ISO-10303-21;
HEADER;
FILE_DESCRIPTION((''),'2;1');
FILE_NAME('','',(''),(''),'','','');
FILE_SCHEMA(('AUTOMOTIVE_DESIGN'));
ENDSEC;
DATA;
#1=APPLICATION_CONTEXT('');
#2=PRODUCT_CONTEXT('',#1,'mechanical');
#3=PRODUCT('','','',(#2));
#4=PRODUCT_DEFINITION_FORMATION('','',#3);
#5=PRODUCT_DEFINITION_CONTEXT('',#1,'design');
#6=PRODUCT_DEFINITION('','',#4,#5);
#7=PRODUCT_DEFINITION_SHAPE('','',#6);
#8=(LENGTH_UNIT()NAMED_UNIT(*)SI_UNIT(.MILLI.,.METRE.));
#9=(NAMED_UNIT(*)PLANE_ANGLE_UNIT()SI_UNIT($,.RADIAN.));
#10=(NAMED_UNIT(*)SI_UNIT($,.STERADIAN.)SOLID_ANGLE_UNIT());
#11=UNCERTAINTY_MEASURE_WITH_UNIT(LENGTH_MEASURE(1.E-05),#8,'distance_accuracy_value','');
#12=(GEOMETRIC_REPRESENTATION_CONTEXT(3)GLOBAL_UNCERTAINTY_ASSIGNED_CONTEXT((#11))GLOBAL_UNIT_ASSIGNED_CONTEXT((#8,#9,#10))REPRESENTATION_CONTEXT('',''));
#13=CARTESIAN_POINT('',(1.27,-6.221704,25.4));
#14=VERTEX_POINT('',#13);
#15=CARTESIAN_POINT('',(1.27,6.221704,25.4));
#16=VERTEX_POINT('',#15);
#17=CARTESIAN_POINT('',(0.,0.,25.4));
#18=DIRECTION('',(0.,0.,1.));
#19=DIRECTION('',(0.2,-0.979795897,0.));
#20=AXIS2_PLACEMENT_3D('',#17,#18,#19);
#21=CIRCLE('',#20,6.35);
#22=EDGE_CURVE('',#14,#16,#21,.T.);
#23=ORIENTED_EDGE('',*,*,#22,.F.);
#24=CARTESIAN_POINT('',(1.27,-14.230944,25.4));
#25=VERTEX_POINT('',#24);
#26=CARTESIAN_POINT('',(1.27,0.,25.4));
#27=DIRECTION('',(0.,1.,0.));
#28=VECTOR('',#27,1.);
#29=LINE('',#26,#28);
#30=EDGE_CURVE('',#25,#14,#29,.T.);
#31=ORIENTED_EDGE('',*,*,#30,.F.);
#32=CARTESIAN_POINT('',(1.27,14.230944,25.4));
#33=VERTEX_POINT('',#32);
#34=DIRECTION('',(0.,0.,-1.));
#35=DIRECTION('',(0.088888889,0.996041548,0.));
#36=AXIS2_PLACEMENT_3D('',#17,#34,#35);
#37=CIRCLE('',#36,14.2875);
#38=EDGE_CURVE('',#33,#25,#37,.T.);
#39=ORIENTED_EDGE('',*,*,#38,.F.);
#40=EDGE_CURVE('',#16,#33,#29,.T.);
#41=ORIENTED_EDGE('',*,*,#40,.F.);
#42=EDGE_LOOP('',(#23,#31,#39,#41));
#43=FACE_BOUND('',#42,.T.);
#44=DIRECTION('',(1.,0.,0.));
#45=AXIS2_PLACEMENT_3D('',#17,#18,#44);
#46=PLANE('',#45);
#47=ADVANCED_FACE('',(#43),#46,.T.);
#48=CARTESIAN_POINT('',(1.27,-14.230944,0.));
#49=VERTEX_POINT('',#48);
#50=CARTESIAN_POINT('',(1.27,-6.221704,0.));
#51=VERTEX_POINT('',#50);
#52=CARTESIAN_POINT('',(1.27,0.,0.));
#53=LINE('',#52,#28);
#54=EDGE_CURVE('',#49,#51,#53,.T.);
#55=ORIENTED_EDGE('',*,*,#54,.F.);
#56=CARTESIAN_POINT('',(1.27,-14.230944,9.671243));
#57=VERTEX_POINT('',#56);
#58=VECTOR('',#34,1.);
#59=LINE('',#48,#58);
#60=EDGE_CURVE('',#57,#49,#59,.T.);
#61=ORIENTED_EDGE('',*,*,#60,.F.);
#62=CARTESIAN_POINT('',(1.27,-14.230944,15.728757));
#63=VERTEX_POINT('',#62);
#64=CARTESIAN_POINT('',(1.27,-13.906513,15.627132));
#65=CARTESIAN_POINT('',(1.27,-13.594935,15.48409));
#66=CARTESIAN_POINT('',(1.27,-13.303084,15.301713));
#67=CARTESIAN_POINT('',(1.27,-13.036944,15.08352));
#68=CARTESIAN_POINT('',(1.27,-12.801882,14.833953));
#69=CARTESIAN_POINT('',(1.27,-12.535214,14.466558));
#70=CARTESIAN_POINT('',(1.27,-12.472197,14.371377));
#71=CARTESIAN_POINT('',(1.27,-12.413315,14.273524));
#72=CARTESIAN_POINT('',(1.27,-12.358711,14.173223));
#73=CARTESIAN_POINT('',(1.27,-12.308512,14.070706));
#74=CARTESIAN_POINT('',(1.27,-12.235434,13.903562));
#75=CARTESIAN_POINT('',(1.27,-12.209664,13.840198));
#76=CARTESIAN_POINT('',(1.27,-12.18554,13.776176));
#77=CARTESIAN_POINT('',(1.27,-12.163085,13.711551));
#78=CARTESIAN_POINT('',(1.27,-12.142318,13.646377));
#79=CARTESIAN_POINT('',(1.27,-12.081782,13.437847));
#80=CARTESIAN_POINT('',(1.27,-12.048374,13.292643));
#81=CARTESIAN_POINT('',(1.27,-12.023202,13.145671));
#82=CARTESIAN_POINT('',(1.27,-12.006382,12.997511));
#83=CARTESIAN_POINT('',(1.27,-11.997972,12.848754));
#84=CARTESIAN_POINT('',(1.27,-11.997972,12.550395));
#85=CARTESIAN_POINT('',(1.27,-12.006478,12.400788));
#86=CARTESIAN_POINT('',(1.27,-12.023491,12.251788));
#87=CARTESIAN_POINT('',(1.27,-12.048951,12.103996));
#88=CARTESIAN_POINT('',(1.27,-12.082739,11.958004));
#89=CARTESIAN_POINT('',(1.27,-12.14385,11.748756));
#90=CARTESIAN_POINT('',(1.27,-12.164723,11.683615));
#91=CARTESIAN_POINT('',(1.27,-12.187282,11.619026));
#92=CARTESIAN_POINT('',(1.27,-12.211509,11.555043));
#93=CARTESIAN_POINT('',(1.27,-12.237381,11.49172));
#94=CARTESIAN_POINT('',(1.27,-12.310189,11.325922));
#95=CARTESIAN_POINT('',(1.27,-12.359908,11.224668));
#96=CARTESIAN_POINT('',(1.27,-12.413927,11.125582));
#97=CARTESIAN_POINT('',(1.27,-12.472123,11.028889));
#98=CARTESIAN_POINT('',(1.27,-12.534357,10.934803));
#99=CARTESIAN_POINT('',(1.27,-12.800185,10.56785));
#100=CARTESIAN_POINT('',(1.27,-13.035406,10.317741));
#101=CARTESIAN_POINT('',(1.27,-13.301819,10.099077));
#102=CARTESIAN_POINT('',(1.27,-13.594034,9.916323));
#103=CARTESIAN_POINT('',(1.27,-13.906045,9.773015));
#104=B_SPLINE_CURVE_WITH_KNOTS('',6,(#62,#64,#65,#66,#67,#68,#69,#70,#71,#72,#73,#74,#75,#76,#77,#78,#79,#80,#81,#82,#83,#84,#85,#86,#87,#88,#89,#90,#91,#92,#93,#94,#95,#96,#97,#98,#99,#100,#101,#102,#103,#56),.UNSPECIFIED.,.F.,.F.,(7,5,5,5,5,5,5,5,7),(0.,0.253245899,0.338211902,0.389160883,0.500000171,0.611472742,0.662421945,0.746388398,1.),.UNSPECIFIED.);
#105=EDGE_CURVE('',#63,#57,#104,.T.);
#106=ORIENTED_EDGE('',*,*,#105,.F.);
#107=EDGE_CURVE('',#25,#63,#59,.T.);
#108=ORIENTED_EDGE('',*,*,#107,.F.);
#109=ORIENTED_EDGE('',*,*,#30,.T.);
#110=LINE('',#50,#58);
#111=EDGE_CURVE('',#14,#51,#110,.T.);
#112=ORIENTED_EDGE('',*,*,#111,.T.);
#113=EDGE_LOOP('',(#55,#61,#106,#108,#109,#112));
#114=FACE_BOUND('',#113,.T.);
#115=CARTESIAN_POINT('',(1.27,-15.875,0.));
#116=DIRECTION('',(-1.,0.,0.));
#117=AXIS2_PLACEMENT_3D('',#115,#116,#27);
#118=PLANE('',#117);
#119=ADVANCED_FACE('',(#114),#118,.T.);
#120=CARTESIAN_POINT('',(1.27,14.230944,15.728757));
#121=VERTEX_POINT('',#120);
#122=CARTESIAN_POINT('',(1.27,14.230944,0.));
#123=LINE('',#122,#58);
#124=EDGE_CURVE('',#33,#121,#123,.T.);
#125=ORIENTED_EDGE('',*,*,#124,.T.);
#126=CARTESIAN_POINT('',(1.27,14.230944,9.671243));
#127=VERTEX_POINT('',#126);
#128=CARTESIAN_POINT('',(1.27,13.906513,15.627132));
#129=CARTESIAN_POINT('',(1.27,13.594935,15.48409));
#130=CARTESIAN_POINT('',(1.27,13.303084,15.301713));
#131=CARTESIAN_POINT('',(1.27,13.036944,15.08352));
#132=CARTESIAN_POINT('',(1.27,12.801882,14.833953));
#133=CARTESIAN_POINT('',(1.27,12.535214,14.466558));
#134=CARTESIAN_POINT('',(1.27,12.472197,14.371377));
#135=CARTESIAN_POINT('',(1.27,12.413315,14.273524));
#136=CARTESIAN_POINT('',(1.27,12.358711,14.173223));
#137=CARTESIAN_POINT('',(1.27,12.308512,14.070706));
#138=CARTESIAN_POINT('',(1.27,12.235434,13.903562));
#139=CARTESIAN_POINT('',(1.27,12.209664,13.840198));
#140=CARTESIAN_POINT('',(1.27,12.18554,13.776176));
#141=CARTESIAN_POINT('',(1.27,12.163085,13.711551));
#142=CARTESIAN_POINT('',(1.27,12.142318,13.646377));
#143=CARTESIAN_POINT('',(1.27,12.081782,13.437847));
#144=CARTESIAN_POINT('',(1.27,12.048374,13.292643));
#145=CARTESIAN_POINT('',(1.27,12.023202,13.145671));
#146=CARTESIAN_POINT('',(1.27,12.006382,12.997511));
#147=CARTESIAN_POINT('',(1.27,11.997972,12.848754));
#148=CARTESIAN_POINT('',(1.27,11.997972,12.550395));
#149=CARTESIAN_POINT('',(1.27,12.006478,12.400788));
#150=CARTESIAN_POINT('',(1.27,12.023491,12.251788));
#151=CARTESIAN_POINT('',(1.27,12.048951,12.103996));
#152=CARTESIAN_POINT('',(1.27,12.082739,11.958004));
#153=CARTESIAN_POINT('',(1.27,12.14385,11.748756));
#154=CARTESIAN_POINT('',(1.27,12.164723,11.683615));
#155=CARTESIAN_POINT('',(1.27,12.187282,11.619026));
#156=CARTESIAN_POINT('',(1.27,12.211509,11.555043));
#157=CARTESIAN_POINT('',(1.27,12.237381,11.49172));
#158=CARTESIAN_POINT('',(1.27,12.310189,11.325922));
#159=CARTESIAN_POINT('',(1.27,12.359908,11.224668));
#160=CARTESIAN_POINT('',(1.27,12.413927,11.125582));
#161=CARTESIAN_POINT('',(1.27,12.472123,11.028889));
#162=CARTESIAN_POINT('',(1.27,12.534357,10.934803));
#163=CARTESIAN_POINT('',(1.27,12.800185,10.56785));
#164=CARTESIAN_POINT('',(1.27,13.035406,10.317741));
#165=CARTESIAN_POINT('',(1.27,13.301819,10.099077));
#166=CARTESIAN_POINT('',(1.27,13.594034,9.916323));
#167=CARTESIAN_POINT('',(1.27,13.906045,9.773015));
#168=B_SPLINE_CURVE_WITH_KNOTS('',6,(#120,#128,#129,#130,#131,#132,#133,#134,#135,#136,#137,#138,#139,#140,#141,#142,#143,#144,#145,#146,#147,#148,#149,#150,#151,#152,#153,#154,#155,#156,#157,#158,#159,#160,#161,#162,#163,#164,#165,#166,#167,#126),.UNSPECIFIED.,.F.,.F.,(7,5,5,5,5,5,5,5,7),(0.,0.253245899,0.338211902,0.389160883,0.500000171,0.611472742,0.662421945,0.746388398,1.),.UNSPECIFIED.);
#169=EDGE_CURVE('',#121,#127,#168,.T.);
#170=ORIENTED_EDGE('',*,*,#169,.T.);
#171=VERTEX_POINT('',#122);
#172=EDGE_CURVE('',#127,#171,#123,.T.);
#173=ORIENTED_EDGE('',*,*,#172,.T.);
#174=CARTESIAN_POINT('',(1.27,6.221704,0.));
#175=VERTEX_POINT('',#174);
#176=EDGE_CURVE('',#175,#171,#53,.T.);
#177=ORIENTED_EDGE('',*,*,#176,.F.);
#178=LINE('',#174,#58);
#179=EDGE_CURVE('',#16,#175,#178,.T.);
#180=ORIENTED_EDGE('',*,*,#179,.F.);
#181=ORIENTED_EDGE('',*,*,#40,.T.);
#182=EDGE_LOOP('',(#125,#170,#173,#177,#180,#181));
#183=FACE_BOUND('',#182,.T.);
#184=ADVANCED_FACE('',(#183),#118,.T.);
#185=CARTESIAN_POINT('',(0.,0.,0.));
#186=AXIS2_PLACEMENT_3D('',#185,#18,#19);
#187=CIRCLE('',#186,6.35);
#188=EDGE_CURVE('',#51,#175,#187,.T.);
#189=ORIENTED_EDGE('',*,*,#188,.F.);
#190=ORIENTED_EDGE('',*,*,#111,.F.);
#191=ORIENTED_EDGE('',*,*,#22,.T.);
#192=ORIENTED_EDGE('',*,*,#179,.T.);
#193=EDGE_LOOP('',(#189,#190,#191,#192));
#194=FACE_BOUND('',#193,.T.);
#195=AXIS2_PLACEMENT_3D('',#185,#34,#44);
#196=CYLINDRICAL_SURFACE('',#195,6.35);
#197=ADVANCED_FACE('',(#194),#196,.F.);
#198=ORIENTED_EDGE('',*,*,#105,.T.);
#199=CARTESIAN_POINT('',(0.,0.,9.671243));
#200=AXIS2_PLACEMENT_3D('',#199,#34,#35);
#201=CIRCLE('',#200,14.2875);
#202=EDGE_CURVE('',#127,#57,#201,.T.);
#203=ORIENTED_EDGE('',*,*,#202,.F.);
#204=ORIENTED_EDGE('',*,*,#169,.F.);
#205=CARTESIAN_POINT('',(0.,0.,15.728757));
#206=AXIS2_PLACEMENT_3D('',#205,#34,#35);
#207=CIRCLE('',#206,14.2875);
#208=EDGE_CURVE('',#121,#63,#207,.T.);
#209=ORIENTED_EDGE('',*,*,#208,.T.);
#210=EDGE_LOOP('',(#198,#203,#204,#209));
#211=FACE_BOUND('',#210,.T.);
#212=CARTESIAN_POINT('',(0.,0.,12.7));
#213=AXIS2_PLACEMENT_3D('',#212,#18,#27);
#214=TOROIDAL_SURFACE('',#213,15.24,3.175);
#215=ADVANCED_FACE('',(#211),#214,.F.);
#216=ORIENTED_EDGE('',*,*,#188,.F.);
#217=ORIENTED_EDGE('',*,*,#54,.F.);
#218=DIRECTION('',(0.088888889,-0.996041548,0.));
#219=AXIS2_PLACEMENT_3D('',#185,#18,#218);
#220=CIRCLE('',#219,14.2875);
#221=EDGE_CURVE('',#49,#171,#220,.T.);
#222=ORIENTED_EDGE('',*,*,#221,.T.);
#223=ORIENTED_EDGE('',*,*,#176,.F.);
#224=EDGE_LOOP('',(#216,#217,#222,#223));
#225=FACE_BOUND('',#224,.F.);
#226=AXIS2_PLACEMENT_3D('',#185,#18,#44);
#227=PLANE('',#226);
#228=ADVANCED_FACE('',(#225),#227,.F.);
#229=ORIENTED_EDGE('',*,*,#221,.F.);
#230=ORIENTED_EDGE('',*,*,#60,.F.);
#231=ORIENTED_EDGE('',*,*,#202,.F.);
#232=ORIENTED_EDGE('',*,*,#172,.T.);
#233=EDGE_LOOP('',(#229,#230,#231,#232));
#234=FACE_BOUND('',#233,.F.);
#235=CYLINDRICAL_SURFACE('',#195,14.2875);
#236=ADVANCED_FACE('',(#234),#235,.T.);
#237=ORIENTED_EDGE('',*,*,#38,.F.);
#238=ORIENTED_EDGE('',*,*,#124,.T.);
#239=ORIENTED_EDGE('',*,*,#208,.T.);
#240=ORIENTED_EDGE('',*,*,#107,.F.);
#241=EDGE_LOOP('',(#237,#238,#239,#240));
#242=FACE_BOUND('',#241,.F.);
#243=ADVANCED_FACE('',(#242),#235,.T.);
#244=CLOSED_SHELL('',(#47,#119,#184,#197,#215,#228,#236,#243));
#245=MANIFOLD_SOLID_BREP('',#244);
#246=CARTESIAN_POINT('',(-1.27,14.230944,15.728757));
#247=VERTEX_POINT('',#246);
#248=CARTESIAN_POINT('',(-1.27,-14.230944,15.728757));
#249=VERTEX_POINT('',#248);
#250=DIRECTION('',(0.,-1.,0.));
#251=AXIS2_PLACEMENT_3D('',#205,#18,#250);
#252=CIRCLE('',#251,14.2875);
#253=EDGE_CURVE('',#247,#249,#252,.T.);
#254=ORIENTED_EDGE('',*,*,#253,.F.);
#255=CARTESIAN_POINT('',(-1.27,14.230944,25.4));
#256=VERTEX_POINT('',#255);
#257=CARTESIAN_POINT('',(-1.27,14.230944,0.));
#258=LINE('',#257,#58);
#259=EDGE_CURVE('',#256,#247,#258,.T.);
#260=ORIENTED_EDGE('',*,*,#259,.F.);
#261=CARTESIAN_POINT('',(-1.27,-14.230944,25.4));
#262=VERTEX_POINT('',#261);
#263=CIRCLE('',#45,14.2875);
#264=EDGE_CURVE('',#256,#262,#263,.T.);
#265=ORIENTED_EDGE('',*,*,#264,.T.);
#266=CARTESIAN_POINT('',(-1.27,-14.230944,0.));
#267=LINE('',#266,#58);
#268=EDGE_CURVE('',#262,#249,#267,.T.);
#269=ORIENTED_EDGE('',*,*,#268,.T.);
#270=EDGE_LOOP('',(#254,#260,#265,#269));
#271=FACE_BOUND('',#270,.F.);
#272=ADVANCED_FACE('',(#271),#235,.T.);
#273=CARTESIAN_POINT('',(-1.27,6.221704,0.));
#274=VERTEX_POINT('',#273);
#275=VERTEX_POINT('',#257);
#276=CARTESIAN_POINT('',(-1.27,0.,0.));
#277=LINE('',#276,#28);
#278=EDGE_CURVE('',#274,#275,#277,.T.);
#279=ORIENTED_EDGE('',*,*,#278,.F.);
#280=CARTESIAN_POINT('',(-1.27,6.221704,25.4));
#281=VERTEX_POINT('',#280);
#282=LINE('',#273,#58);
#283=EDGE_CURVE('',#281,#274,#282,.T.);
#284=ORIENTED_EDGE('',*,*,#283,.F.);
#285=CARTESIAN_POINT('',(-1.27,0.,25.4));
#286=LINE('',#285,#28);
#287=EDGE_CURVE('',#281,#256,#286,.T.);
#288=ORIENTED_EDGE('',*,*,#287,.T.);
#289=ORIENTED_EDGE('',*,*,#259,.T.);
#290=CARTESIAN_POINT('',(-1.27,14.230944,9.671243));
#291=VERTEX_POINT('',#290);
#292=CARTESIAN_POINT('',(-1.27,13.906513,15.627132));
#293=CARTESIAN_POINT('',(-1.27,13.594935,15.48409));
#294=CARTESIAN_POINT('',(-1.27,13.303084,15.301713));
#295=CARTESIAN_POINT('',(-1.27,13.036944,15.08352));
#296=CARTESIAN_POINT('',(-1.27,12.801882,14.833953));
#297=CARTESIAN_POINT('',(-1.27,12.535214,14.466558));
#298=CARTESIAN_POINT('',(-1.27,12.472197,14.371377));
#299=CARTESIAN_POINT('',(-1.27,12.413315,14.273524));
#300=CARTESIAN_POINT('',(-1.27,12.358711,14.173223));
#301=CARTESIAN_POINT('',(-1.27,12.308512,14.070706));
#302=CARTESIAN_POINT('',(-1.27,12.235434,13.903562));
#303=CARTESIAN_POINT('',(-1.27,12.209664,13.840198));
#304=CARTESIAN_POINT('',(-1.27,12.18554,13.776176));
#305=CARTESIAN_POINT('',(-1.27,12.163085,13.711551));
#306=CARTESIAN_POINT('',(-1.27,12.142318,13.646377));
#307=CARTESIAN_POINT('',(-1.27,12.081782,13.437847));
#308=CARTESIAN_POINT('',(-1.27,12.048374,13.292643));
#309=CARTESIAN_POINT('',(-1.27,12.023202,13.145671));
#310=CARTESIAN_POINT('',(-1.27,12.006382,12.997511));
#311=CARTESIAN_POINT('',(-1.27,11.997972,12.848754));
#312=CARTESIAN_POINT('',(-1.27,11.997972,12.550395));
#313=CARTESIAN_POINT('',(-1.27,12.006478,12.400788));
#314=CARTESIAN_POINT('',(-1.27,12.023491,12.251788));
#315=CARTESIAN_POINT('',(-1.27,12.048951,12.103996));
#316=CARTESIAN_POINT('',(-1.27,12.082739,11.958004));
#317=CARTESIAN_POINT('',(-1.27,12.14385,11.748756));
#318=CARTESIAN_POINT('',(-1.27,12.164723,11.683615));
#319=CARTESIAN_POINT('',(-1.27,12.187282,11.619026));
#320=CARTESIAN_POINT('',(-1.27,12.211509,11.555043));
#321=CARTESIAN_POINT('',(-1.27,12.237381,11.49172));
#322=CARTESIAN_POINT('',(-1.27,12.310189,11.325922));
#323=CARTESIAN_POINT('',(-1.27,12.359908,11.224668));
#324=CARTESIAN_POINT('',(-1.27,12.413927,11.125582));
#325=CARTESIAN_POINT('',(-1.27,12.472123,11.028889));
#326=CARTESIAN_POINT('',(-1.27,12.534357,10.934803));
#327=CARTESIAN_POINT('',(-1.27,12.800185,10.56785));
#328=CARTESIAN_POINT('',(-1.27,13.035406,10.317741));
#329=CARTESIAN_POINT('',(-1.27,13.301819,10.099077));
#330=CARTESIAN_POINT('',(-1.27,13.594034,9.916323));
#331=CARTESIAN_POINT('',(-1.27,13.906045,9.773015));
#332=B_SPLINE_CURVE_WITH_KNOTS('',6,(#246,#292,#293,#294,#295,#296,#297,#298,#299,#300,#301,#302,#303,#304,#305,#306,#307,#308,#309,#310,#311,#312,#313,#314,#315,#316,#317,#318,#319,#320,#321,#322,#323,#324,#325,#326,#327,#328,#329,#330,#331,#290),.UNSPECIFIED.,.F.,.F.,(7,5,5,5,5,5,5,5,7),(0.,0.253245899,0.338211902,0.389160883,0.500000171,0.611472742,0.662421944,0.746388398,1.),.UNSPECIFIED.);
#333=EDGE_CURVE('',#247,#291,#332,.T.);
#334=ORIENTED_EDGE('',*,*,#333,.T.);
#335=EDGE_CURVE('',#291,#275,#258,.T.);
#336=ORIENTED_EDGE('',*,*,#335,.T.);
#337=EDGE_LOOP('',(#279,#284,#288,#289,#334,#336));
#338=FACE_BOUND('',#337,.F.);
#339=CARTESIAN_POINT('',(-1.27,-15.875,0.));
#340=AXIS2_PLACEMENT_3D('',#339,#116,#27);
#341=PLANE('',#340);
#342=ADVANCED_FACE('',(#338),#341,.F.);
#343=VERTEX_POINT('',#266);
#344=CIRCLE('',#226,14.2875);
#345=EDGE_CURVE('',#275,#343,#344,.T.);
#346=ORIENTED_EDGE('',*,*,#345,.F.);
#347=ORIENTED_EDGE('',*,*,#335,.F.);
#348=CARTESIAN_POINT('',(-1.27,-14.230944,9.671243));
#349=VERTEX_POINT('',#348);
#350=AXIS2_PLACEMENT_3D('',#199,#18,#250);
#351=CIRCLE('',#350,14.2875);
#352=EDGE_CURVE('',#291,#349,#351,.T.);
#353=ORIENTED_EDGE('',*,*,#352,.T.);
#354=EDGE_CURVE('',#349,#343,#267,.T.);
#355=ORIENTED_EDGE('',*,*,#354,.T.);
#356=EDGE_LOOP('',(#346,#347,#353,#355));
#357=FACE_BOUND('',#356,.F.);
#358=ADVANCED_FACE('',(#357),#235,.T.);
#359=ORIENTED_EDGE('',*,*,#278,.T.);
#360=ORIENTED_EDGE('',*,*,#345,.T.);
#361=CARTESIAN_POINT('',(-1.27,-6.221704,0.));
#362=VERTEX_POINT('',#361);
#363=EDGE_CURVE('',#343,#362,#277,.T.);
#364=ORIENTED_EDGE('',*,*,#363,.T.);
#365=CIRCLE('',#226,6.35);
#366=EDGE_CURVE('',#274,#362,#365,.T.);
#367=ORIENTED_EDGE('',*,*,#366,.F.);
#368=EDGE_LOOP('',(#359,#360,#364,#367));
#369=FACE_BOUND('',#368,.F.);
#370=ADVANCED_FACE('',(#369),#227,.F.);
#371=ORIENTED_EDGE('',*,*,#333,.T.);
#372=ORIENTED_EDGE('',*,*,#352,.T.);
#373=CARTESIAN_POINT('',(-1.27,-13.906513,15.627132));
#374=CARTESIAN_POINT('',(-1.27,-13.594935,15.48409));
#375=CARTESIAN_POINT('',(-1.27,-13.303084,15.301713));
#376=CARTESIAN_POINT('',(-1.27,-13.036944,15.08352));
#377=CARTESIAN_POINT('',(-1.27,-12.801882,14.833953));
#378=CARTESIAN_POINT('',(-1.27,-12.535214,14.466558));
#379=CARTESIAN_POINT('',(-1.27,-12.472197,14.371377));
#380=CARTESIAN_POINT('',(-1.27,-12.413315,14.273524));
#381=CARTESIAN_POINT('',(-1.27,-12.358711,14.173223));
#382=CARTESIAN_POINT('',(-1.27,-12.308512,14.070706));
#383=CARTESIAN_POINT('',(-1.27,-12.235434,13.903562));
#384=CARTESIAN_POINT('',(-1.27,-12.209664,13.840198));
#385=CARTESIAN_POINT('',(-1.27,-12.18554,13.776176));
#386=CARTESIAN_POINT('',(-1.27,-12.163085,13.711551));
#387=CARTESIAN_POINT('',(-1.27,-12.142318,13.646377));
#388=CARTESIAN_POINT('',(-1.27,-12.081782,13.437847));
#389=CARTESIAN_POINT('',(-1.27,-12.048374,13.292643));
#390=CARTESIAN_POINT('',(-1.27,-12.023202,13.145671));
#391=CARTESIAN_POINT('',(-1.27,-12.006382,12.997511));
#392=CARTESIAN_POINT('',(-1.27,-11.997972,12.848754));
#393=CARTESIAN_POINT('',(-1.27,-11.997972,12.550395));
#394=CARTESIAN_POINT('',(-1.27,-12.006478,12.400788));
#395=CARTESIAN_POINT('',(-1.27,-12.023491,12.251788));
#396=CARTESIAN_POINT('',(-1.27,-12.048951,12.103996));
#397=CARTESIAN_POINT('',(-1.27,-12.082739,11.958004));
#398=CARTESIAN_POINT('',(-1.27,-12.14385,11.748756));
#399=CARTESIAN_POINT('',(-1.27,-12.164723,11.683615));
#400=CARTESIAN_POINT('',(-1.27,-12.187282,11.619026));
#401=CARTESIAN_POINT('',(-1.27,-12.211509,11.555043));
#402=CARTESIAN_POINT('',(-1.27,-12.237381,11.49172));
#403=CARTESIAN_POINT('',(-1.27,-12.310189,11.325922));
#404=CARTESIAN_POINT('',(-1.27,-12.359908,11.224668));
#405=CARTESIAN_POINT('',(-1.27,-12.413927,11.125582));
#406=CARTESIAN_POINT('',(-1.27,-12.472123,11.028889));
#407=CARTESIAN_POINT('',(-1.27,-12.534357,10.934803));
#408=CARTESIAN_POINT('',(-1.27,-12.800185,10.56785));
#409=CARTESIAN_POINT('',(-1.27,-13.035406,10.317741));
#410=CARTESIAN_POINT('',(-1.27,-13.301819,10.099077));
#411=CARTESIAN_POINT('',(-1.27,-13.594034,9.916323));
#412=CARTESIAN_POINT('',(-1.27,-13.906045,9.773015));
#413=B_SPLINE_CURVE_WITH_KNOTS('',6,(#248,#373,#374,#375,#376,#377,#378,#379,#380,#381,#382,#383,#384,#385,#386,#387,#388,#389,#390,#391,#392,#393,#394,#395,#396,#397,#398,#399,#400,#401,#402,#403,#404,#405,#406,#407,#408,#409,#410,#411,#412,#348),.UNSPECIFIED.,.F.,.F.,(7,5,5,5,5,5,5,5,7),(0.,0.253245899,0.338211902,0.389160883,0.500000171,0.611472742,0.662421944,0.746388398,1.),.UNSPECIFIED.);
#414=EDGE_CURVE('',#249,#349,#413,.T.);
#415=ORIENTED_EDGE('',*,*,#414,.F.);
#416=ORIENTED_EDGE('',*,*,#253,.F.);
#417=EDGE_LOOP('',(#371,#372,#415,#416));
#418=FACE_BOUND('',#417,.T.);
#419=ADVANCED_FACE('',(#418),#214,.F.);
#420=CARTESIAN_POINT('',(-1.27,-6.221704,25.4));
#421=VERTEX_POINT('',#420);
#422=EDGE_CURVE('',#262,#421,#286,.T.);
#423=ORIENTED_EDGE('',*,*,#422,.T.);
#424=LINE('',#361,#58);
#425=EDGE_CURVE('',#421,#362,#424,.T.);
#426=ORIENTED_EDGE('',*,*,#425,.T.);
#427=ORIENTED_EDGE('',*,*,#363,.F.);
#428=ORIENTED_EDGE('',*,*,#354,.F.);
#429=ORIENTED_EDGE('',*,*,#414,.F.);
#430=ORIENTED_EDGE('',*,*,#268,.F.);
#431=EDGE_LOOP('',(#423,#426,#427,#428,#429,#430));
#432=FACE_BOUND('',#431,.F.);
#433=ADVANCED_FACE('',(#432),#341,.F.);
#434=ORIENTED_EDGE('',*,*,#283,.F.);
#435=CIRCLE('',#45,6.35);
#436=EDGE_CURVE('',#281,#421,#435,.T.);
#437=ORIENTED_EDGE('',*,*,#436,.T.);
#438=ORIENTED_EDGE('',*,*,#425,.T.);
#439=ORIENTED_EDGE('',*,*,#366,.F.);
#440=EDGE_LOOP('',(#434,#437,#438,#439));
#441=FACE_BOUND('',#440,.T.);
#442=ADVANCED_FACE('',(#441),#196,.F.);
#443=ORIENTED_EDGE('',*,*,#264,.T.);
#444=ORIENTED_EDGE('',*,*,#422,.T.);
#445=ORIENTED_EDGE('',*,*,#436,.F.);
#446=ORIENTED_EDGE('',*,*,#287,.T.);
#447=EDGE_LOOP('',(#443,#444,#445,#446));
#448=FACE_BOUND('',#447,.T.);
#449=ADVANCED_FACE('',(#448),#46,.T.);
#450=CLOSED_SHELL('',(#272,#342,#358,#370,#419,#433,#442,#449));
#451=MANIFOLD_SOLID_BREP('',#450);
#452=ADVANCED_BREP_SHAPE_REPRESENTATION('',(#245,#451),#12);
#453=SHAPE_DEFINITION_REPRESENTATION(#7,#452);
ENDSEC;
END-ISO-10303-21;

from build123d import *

# Parameters (mm, degrees)
F0_R     = 14.2875
F0_R_2   = 6.35
F1_DEPTH = 25.4
F2_R     = 3.175
F4_W     = 2.54
F4_H     = 31.75
F5_DEPTH = 25.4


with BuildPart() as f1:
    # F0 (on Top) → F1 (new body)
    with BuildSketch(Plane.XY):
        Circle(F0_R)
        Circle(F0_R_2, mode=Mode.SUBTRACT)
    extrude(amount=F1_DEPTH)

    # F2 (on Right) → F3 (revolve, cut)
    with BuildSketch(Plane.YZ):
        with Locations((15.24, 12.7)):
            Circle(F2_R)
    revolve(axis=Axis((0, 0, 0), (0, 0, -1)), mode=Mode.SUBTRACT)

    # F4 (on Top) → F5 (cut)
    with BuildSketch(Plane.XY):
        Rectangle(F4_W, F4_H)
    extrude(amount=F5_DEPTH, mode=Mode.SUBTRACT)


solid = f1.part
